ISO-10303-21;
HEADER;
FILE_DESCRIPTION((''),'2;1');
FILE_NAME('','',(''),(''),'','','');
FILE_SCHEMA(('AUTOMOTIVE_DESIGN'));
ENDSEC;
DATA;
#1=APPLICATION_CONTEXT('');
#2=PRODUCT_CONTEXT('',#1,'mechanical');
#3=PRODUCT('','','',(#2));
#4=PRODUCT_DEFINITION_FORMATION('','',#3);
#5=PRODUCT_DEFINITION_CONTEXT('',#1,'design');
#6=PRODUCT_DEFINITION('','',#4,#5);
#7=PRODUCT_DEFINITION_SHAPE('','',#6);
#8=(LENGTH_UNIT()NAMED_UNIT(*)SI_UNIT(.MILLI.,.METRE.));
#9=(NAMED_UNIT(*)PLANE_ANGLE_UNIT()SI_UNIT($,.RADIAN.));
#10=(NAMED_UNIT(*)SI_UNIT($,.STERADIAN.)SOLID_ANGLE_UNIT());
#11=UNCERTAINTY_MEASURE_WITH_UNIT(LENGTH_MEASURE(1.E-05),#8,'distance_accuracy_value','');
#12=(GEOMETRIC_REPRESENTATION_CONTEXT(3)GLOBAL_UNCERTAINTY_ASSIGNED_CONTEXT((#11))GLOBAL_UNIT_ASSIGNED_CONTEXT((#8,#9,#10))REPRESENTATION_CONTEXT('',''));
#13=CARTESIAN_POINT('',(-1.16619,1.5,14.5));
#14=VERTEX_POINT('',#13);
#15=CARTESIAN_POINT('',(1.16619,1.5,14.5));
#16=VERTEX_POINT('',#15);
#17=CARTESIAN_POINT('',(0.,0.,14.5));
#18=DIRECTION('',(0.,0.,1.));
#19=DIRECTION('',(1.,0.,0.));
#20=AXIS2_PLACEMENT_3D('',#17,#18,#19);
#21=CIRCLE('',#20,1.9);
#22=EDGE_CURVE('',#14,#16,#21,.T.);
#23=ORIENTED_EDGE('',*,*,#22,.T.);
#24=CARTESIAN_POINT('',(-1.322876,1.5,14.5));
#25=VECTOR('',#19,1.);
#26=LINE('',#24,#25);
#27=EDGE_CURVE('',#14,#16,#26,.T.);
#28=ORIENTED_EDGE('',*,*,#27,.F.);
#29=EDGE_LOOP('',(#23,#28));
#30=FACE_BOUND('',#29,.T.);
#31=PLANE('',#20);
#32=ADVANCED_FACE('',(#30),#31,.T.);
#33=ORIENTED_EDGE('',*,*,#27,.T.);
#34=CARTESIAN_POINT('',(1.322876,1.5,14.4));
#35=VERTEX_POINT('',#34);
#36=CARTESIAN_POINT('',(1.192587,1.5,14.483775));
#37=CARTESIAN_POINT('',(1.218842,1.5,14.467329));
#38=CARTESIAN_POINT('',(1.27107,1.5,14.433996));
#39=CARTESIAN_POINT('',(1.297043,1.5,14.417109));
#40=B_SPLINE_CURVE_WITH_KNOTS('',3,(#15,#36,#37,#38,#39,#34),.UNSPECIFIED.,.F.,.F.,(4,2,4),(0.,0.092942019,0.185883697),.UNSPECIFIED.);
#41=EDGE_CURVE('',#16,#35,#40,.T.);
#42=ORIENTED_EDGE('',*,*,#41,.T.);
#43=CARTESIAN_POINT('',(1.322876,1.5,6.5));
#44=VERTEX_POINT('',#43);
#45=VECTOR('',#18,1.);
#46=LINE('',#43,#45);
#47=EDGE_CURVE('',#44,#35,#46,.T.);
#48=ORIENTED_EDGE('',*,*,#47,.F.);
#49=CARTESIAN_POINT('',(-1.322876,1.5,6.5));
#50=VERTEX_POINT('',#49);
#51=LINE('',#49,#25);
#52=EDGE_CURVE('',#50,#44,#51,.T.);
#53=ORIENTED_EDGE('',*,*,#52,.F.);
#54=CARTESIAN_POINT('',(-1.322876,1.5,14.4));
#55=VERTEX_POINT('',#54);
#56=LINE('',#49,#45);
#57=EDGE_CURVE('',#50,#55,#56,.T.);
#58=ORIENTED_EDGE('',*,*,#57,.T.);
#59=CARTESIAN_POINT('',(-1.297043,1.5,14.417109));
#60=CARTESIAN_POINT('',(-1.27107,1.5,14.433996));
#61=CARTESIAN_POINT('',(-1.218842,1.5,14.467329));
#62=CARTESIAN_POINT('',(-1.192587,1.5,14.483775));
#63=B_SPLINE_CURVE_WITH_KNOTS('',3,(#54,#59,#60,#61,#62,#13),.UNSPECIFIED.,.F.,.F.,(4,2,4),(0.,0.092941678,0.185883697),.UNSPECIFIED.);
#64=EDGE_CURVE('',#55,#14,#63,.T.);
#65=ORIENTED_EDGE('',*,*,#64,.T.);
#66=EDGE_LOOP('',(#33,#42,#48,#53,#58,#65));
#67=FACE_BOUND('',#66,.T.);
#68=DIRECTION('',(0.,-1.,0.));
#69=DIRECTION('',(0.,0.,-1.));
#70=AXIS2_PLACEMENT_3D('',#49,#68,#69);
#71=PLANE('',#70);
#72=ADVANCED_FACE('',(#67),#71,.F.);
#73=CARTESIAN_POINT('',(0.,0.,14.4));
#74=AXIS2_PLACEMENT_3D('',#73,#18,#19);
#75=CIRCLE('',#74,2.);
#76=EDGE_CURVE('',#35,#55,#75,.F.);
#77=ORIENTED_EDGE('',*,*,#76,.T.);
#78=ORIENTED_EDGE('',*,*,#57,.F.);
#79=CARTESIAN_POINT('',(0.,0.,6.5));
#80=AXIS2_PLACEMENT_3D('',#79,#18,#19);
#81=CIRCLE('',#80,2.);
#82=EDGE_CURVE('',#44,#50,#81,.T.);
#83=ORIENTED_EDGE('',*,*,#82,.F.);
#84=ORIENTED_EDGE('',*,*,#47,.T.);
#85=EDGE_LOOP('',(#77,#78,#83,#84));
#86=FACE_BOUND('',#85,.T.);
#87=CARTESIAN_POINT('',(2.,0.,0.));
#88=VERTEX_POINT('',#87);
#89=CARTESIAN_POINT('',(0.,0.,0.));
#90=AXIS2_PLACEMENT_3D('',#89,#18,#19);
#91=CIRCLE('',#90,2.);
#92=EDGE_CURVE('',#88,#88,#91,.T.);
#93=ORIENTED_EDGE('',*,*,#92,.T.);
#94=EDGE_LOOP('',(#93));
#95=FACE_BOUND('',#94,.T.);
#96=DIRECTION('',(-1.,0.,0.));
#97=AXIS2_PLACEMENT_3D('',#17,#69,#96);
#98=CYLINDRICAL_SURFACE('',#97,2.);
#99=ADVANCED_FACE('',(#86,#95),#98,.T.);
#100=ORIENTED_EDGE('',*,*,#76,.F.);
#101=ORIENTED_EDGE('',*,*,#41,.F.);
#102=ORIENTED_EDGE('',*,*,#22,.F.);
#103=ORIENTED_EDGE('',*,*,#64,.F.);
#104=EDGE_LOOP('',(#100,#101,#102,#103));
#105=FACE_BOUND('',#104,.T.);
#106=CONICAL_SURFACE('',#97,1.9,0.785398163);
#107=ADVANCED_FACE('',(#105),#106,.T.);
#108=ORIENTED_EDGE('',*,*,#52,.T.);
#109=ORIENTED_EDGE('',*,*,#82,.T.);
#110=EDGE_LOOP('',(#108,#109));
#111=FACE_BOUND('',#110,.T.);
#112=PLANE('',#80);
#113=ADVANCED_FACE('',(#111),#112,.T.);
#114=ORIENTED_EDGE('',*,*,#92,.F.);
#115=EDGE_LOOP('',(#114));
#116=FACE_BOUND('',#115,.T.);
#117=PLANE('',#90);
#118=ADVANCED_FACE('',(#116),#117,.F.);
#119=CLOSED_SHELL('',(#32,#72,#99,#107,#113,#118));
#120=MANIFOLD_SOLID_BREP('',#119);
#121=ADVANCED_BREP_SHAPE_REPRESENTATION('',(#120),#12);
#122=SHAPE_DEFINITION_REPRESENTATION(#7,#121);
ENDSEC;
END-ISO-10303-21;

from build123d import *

# Parameters (mm, degrees)
SKETCH1_R           = 2
BOSS_EXTRUDE1_DEPTH = 14.5
CUT_EXTRUDE1_START  = -8
CUT_EXTRUDE1_DEPTH  = 8
CHAMFER1_SIZE       = 0.1


with BuildPart() as part:
    # Sketch1 → Boss-Extrude1 (new body)
    with BuildSketch(Plane.XY):
        with Locations(Location((0, 0, 0), (0, 0, 180))):
            Circle(SKETCH1_R)
    extrude(amount=BOSS_EXTRUDE1_DEPTH)

    # Sketch2 → Cut-Extrude1 (cut)
    with BuildSketch(Plane.XY.offset(14.5).offset(CUT_EXTRUDE1_START)):
        with BuildLine():
            Line((-1.322875656, 1.5), (1.322875656, 1.5))
            ThreePointArc((1.322875656, 1.5), (0, 2), (-1.322875656, 1.5))
        make_face()
    extrude(amount=CUT_EXTRUDE1_DEPTH, mode=Mode.SUBTRACT)

    # Chamfer1
    chamfer1_edges = [part.edges().sort_by_distance(p)[0] for p in [
        (0.822875656, -1.822875656, 14.5),
    ]]
    chamfer(chamfer1_edges, length=CHAMFER1_SIZE)


solid = part.part
